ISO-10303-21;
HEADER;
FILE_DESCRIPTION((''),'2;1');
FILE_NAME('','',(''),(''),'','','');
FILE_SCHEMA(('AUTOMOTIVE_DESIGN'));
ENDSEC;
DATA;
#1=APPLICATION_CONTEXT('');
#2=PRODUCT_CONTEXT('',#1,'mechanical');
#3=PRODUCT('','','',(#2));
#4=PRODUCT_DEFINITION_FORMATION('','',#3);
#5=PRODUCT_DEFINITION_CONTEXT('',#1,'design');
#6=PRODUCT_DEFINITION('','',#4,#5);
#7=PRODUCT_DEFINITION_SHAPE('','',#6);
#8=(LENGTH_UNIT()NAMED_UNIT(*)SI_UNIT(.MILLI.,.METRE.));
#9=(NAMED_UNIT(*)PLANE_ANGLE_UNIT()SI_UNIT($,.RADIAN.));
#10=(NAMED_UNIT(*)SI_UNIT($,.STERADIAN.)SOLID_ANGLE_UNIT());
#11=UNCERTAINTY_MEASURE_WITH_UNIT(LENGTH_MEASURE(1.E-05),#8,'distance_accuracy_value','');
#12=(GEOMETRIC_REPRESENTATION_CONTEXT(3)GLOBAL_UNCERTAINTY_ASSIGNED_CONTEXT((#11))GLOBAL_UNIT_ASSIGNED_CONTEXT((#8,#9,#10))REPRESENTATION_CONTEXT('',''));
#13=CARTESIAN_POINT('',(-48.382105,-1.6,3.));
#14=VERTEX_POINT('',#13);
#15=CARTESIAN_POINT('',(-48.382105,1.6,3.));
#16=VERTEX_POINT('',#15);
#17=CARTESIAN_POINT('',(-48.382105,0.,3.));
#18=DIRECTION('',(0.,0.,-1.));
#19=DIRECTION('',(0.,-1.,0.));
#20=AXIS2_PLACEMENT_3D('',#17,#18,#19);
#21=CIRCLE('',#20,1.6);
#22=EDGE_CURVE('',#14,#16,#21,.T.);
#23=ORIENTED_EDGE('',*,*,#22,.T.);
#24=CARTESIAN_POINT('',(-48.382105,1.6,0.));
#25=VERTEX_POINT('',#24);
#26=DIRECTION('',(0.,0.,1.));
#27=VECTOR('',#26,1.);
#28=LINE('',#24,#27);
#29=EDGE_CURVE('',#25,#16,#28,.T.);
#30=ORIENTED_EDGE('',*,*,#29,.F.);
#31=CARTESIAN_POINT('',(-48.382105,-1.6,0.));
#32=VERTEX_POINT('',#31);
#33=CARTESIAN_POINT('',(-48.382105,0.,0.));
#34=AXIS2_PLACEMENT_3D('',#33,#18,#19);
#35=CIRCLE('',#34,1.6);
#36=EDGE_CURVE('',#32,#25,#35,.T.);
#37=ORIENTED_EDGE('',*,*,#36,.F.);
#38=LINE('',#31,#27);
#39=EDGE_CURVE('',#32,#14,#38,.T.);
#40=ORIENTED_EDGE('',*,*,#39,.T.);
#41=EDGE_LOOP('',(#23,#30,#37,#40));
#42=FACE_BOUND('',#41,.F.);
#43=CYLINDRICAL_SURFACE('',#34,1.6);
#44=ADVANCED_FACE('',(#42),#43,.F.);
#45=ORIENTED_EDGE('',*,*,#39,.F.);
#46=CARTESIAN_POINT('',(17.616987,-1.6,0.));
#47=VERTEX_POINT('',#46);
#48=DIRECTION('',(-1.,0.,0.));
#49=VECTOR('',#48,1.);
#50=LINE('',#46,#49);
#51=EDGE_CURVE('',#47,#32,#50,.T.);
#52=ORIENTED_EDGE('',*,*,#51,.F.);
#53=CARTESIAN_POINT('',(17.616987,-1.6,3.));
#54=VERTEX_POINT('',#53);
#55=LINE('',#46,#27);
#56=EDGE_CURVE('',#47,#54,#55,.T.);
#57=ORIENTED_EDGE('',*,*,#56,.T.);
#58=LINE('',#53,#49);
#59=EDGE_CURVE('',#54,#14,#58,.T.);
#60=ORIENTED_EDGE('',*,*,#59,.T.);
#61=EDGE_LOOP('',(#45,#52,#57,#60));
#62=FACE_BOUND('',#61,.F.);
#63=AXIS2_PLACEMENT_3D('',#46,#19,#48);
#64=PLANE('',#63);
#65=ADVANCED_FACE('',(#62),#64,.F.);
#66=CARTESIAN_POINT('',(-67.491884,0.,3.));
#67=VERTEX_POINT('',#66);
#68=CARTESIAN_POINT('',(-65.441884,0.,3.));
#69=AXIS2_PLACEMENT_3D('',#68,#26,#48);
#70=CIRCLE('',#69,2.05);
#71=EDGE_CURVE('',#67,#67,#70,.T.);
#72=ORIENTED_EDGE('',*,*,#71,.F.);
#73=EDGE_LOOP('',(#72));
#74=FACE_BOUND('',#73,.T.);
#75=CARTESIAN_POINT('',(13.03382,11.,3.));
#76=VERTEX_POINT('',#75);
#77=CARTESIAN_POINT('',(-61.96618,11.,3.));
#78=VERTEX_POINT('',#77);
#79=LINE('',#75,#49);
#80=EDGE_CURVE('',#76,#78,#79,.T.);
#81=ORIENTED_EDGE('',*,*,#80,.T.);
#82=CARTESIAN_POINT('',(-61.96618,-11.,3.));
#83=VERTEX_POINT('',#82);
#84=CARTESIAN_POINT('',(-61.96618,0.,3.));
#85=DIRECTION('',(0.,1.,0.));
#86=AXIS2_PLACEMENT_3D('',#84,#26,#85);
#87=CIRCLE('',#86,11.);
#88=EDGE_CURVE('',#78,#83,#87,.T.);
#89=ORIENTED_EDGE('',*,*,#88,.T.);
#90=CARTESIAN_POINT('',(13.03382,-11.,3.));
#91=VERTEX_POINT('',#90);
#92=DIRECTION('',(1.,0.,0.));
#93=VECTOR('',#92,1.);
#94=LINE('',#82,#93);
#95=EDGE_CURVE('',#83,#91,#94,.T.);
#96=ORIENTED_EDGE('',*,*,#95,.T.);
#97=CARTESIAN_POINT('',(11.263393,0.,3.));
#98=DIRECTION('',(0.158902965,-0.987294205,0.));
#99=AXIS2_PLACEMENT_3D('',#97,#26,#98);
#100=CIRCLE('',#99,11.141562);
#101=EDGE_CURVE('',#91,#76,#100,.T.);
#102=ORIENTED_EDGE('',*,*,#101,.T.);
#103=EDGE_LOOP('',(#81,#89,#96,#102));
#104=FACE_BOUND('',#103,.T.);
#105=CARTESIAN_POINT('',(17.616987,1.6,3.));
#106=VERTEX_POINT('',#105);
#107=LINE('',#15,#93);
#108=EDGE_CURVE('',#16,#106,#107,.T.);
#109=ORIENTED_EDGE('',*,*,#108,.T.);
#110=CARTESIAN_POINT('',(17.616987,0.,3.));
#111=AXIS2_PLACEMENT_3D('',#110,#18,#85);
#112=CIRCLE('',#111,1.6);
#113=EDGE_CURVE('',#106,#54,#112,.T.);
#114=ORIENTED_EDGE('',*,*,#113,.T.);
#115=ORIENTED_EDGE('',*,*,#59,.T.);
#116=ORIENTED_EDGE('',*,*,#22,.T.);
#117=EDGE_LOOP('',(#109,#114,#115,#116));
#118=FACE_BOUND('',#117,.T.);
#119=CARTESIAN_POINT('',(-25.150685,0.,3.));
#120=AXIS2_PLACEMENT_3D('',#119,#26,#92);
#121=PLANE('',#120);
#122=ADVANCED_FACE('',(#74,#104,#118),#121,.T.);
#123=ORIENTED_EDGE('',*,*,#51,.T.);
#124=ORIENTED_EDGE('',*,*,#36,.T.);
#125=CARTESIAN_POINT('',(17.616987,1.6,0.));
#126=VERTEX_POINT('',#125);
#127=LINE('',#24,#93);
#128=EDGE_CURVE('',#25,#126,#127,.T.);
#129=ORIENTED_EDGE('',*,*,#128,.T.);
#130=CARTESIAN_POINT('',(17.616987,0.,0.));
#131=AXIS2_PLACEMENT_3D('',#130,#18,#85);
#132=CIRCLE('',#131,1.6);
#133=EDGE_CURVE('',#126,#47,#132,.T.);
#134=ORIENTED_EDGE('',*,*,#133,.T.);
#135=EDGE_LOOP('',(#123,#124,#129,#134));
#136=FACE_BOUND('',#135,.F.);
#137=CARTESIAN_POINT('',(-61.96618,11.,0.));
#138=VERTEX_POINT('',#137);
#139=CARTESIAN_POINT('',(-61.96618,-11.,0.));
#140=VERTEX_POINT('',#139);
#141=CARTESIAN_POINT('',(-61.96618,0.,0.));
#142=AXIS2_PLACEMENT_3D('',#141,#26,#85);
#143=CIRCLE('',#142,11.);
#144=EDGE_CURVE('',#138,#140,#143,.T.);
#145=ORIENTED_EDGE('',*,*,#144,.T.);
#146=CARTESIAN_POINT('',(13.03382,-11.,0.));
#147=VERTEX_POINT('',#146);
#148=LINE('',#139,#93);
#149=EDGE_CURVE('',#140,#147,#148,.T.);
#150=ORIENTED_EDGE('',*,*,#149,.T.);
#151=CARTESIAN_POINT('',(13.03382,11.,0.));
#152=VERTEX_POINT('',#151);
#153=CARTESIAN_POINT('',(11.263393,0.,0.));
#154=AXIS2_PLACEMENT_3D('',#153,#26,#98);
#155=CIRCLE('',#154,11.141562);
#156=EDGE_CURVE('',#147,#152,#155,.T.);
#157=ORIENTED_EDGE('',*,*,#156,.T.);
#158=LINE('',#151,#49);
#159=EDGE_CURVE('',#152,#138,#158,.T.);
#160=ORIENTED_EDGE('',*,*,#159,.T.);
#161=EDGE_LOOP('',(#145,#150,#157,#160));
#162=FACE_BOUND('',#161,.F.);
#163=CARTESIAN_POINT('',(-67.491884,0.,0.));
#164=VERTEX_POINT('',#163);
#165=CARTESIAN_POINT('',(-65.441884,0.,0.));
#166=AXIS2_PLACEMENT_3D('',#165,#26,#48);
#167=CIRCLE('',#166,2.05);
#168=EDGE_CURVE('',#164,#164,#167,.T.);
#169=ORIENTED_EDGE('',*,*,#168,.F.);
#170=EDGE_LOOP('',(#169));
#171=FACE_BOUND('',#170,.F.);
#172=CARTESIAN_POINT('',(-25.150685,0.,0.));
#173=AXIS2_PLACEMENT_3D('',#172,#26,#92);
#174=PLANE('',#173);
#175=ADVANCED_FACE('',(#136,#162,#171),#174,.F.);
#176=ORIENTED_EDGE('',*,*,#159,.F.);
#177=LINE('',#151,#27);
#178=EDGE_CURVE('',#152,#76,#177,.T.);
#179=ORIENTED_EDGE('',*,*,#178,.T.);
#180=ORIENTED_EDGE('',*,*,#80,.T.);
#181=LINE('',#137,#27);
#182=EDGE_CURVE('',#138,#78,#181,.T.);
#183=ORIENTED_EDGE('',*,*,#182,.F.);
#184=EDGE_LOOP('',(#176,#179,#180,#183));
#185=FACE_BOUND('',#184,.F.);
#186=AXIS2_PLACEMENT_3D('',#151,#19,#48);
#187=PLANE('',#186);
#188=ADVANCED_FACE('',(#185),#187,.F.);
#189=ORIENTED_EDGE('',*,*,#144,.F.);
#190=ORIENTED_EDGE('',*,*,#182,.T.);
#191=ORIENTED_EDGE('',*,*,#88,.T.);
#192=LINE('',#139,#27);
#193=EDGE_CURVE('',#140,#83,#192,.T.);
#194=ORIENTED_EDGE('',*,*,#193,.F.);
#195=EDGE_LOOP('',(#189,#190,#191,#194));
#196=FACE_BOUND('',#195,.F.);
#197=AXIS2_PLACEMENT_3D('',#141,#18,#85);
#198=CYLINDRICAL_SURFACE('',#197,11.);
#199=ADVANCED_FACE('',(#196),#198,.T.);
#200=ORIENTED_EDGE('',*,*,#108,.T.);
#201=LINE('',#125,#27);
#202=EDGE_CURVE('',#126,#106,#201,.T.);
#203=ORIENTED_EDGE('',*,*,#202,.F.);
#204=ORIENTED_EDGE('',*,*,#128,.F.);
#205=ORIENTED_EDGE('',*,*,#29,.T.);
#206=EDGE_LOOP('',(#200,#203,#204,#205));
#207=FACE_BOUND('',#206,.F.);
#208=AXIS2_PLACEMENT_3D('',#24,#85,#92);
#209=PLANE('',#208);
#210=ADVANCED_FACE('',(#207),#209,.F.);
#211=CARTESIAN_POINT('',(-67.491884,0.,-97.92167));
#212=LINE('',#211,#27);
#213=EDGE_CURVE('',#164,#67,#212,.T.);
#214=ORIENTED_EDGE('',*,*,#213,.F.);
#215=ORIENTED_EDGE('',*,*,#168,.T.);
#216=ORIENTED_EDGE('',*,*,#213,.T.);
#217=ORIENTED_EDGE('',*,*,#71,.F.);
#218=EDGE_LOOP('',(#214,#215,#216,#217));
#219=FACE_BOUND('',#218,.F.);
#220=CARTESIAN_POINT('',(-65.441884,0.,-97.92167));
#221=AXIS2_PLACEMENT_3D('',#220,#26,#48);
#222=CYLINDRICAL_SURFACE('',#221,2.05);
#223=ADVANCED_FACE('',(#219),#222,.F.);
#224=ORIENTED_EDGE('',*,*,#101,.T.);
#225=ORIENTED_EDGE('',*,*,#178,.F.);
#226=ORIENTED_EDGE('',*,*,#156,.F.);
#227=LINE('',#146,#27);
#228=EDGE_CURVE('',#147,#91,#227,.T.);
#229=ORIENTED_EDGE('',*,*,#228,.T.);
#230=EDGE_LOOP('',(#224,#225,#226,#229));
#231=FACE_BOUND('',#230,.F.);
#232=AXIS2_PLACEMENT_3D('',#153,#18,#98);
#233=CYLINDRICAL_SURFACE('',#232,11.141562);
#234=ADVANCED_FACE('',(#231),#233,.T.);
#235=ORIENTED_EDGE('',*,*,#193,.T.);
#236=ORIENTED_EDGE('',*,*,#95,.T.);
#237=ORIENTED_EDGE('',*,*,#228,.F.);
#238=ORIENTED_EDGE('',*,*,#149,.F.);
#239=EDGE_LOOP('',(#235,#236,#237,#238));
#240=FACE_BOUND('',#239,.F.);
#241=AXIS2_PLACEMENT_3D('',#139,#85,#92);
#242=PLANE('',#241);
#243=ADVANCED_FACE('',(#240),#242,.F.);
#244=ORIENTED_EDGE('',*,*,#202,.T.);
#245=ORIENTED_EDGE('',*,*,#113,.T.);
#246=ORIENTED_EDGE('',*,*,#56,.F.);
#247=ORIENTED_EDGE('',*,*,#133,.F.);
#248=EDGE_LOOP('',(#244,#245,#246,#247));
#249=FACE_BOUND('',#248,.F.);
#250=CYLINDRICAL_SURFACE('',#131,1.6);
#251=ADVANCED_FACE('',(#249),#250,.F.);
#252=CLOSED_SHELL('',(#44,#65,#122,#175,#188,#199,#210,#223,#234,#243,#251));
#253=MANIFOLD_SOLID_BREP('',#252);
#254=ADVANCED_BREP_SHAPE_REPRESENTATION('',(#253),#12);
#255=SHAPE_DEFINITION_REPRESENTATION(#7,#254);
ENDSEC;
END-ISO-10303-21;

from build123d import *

# Parameters (mm, degrees)
F1_DEPTH = 3
F2_D     = 4.1


with BuildPart() as f1:
    # F0 (on Top) → F1 (new body)
    with BuildSketch(Plane.XY):
        with BuildLine():
            Line((13.0338203524, 11), (-61.9661796476, 11))
            ThreePointArc((-61.9661796476, 11), (-72.9661796476, 0), (-61.9661796476, -11))
            Line((-61.9661796476, -11), (13.0338203524, -11))
            ThreePointArc((13.0338203524, -11), (22.4049554576, 0), (13.0338203524, 11))
        make_face()
        with BuildLine():
            ThreePointArc((-48.3821049507, -1.6), (-49.9821049507, 0), (-48.3821049507, 1.6))
            Line((-48.3821049507, 1.6), (17.6169872284, 1.6))
            ThreePointArc((17.6169872284, 1.6), (19.2169872284, 0), (17.6169872284, -1.6))
            Line((17.6169872284, -1.6), (-48.3821049507, -1.6))
        make_face(mode=Mode.SUBTRACT)
    extrude(amount=F1_DEPTH)

    # F2 (through all)
    with Locations(Plane(origin=(0, 0, 0), x_dir=(1, 0, 0), z_dir=(0, 0, -1))):
        with Locations((-65.4418841004, 0)):
            Hole(F2_D / 2)


solid = f1.part
